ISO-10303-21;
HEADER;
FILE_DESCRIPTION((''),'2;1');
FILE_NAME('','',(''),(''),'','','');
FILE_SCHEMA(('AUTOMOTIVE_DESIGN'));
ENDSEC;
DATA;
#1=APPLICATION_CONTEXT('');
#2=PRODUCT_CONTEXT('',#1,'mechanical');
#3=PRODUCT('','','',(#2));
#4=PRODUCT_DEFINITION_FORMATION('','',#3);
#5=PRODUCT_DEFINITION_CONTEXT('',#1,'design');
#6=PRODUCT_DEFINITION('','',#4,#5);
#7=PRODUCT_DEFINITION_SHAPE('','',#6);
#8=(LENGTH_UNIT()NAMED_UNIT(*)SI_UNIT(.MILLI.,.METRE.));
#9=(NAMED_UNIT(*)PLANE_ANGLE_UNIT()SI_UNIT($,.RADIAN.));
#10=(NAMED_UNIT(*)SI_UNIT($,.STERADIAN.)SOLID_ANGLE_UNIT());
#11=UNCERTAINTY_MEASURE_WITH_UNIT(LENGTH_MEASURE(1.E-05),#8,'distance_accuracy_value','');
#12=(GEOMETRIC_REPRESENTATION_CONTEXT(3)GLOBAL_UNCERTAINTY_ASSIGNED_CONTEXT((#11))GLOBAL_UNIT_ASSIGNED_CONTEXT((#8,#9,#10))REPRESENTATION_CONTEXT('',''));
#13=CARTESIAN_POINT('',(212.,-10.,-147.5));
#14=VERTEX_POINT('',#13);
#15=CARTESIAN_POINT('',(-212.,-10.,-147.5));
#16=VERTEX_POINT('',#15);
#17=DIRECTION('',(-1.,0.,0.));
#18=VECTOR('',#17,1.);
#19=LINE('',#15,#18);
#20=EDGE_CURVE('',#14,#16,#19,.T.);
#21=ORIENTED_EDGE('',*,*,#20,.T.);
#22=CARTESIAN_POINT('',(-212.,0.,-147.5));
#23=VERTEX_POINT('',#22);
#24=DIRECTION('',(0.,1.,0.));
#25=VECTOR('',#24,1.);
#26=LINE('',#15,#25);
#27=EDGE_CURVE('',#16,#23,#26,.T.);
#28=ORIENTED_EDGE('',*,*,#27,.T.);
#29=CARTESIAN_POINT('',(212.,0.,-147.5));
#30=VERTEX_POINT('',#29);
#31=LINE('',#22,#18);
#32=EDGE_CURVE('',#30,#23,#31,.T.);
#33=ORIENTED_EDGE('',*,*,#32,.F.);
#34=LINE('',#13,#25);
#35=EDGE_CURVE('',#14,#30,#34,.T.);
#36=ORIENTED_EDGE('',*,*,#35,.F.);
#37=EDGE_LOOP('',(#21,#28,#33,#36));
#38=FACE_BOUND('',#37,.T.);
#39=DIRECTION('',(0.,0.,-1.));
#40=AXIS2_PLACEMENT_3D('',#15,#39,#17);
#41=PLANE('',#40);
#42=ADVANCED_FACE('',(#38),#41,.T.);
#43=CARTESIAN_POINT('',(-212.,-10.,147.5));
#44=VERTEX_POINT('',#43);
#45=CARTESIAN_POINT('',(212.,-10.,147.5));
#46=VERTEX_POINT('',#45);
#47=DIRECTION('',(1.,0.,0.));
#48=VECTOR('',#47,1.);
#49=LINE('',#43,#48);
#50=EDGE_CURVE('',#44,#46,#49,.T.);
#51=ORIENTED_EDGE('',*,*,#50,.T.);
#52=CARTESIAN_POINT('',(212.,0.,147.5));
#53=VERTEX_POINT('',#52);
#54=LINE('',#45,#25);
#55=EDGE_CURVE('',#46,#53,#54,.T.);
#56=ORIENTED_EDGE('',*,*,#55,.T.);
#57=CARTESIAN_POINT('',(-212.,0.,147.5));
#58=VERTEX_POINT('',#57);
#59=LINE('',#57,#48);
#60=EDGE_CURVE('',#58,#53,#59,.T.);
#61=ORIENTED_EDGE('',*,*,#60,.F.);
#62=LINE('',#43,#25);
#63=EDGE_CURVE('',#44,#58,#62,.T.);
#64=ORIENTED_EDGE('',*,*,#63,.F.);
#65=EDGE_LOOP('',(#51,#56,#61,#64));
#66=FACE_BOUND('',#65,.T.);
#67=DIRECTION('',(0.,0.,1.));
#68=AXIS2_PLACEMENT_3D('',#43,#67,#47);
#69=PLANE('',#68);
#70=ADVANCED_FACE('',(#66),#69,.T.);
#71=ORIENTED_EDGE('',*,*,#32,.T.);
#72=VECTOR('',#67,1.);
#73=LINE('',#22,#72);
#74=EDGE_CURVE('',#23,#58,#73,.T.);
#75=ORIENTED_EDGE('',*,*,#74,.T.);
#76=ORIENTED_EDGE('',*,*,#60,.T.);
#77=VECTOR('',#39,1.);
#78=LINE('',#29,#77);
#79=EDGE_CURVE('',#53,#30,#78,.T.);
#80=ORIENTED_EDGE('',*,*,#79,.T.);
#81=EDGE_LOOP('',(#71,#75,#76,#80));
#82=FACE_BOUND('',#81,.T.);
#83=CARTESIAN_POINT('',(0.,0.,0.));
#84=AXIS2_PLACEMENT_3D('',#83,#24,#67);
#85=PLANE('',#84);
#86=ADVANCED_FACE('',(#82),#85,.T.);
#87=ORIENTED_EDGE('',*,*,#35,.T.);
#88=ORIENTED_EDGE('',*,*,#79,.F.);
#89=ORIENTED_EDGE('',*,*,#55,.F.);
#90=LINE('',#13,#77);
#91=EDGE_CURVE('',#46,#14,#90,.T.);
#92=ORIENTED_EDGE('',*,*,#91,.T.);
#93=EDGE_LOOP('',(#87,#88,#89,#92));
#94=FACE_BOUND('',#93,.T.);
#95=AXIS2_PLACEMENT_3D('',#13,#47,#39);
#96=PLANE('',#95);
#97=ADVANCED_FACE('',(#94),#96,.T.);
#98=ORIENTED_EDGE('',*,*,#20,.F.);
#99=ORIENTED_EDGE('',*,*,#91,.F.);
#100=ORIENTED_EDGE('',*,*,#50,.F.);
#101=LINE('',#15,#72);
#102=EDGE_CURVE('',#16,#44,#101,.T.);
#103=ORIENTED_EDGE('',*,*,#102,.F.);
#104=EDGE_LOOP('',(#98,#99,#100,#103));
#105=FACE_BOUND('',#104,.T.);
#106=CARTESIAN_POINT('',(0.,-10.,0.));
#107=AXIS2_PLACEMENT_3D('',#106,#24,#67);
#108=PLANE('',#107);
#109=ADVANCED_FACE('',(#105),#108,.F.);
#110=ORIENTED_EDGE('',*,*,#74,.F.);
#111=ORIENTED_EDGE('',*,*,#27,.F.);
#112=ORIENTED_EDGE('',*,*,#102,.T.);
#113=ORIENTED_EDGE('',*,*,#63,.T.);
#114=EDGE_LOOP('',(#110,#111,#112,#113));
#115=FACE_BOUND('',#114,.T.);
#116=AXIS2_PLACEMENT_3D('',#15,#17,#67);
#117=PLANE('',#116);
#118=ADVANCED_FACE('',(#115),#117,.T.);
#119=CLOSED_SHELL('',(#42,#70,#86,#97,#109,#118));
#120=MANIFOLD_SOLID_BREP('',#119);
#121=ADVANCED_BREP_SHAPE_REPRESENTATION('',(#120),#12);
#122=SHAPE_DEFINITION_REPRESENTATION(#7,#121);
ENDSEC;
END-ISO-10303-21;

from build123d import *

# Parameters (mm, degrees)
SKETCH1_W           = 424
SKETCH1_H           = 295
BOSS_EXTRUDE1_DEPTH = 10


with BuildPart() as part:
    # Sketch1 → Boss-Extrude1 (new body)
    with BuildSketch(Plane(origin=(0, 0, 0), x_dir=(1, 0, 0), z_dir=(0, 1, 0))):
        Rectangle(SKETCH1_W, SKETCH1_H)
    extrude(amount=-BOSS_EXTRUDE1_DEPTH)


solid = part.part
